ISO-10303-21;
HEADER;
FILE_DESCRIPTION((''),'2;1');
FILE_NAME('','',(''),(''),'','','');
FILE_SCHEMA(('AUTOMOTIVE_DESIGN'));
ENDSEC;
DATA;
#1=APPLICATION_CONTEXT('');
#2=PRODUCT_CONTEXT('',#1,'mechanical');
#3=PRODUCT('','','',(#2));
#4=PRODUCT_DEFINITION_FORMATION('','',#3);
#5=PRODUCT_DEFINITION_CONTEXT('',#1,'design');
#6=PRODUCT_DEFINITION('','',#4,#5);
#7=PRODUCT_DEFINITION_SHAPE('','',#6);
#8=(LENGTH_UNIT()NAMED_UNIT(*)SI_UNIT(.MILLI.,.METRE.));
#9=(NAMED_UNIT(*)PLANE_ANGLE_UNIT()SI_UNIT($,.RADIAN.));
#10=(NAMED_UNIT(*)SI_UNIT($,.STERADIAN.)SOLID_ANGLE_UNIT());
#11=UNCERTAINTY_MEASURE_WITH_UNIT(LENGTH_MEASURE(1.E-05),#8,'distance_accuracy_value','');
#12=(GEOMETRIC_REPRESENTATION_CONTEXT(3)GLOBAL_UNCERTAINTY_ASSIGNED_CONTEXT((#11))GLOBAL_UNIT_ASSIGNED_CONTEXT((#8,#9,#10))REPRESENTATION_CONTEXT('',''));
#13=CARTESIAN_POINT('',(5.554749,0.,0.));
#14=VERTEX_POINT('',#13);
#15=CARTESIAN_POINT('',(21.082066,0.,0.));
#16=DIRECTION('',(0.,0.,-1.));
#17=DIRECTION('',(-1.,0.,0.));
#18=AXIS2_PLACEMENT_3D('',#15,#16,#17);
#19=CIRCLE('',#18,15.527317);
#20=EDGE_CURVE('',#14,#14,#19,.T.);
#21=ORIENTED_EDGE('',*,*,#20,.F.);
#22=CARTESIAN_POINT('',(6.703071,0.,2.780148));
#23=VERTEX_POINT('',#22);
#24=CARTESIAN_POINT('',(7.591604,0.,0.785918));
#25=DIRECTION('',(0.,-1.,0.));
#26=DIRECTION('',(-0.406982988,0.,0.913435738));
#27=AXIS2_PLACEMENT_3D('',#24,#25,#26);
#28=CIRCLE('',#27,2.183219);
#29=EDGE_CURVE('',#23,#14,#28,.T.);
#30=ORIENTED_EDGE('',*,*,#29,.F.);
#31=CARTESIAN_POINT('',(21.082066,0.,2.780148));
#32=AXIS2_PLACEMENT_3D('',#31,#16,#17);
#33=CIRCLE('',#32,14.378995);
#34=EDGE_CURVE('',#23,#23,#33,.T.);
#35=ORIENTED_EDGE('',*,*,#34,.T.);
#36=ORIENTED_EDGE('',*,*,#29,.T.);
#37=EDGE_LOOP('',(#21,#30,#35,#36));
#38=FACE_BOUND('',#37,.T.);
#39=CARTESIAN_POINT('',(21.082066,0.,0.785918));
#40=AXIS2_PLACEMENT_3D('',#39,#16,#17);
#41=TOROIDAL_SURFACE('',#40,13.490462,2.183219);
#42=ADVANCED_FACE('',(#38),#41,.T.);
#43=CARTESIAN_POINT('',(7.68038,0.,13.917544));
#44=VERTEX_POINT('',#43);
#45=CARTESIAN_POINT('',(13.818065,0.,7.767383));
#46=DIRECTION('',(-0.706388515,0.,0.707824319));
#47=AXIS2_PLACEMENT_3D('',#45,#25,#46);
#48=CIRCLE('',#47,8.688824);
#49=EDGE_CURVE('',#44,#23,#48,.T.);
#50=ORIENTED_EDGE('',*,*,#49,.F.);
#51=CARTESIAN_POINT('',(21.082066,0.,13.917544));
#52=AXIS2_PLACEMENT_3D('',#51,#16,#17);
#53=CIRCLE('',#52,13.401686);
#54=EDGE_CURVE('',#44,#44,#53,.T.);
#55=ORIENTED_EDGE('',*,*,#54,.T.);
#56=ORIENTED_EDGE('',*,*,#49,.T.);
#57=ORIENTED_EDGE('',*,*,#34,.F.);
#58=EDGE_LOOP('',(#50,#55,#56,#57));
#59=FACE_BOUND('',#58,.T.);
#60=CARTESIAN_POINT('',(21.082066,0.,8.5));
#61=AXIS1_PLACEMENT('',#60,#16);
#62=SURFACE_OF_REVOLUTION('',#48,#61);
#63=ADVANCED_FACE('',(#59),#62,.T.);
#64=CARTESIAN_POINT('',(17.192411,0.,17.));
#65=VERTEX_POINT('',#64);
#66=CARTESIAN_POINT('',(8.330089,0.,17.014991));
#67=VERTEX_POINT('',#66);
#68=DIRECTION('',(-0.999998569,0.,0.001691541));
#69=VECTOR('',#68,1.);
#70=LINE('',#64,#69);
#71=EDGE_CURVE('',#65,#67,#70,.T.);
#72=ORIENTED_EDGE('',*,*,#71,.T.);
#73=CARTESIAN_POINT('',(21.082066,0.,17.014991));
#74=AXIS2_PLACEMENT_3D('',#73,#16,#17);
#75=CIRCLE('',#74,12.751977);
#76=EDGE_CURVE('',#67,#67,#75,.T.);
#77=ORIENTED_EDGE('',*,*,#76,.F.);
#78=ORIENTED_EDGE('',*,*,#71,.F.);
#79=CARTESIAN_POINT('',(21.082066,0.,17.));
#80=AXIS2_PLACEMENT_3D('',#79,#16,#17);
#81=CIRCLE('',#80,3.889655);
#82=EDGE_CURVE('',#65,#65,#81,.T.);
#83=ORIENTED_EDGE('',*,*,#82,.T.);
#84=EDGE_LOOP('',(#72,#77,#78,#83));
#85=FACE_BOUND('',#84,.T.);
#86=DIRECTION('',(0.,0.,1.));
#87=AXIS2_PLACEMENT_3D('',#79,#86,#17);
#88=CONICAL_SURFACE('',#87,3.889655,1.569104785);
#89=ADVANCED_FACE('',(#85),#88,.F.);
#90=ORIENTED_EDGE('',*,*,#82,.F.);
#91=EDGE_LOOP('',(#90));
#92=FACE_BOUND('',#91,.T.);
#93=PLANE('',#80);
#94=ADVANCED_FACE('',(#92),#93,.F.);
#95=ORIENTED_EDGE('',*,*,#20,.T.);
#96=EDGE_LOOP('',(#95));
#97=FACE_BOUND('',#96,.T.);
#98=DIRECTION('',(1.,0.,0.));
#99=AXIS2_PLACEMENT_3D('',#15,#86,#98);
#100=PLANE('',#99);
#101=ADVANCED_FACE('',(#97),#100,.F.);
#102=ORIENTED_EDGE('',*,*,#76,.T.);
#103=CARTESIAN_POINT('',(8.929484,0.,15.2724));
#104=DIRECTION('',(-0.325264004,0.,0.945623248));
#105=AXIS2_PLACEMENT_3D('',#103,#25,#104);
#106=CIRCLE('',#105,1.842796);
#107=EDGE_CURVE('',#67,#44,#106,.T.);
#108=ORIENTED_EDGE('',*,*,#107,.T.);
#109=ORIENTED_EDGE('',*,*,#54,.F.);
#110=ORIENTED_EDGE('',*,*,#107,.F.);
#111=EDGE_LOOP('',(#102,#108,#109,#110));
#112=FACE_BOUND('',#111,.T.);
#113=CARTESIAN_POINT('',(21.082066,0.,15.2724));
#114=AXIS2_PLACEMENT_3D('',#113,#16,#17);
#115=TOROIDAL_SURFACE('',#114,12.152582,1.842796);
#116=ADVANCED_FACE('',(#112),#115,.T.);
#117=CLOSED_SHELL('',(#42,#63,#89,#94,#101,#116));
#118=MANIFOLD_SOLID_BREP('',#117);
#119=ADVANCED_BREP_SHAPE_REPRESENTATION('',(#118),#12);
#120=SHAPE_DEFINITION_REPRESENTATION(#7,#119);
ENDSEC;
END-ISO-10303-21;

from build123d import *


with BuildPart() as f1:
    # F0 (on Front) → F1 (revolve)
    with BuildSketch(Plane.XZ):
        with BuildLine():
            Line((17.192411, 17), (8.330089, 17.014991))
            ThreePointArc((8.330089, 17.014991), (7.125937, 15.650705), (7.68038, 13.917544))
            ThreePointArc((7.68038, 13.917544), (5.162502, 8.526911), (6.703071, 2.780148))
            ThreePointArc((6.703071, 2.780148), (5.573739, 1.619384), (5.554749, 0))
            Line((5.554749, 0), (17.192411, 0))
            Line((17.192411, 0), (18.458235, 0))
            Line((18.458235, 0), (21.082066, 0))
            Line((21.082066, 0), (21.082066, 17))
            Line((21.082066, 17), (18.458235, 17))
            Line((18.458235, 17), (17.192411, 17))
        make_face()
    revolve(axis=Axis((21.082066, 0, 8.5), (0, 0, -1)))


solid = f1.part
